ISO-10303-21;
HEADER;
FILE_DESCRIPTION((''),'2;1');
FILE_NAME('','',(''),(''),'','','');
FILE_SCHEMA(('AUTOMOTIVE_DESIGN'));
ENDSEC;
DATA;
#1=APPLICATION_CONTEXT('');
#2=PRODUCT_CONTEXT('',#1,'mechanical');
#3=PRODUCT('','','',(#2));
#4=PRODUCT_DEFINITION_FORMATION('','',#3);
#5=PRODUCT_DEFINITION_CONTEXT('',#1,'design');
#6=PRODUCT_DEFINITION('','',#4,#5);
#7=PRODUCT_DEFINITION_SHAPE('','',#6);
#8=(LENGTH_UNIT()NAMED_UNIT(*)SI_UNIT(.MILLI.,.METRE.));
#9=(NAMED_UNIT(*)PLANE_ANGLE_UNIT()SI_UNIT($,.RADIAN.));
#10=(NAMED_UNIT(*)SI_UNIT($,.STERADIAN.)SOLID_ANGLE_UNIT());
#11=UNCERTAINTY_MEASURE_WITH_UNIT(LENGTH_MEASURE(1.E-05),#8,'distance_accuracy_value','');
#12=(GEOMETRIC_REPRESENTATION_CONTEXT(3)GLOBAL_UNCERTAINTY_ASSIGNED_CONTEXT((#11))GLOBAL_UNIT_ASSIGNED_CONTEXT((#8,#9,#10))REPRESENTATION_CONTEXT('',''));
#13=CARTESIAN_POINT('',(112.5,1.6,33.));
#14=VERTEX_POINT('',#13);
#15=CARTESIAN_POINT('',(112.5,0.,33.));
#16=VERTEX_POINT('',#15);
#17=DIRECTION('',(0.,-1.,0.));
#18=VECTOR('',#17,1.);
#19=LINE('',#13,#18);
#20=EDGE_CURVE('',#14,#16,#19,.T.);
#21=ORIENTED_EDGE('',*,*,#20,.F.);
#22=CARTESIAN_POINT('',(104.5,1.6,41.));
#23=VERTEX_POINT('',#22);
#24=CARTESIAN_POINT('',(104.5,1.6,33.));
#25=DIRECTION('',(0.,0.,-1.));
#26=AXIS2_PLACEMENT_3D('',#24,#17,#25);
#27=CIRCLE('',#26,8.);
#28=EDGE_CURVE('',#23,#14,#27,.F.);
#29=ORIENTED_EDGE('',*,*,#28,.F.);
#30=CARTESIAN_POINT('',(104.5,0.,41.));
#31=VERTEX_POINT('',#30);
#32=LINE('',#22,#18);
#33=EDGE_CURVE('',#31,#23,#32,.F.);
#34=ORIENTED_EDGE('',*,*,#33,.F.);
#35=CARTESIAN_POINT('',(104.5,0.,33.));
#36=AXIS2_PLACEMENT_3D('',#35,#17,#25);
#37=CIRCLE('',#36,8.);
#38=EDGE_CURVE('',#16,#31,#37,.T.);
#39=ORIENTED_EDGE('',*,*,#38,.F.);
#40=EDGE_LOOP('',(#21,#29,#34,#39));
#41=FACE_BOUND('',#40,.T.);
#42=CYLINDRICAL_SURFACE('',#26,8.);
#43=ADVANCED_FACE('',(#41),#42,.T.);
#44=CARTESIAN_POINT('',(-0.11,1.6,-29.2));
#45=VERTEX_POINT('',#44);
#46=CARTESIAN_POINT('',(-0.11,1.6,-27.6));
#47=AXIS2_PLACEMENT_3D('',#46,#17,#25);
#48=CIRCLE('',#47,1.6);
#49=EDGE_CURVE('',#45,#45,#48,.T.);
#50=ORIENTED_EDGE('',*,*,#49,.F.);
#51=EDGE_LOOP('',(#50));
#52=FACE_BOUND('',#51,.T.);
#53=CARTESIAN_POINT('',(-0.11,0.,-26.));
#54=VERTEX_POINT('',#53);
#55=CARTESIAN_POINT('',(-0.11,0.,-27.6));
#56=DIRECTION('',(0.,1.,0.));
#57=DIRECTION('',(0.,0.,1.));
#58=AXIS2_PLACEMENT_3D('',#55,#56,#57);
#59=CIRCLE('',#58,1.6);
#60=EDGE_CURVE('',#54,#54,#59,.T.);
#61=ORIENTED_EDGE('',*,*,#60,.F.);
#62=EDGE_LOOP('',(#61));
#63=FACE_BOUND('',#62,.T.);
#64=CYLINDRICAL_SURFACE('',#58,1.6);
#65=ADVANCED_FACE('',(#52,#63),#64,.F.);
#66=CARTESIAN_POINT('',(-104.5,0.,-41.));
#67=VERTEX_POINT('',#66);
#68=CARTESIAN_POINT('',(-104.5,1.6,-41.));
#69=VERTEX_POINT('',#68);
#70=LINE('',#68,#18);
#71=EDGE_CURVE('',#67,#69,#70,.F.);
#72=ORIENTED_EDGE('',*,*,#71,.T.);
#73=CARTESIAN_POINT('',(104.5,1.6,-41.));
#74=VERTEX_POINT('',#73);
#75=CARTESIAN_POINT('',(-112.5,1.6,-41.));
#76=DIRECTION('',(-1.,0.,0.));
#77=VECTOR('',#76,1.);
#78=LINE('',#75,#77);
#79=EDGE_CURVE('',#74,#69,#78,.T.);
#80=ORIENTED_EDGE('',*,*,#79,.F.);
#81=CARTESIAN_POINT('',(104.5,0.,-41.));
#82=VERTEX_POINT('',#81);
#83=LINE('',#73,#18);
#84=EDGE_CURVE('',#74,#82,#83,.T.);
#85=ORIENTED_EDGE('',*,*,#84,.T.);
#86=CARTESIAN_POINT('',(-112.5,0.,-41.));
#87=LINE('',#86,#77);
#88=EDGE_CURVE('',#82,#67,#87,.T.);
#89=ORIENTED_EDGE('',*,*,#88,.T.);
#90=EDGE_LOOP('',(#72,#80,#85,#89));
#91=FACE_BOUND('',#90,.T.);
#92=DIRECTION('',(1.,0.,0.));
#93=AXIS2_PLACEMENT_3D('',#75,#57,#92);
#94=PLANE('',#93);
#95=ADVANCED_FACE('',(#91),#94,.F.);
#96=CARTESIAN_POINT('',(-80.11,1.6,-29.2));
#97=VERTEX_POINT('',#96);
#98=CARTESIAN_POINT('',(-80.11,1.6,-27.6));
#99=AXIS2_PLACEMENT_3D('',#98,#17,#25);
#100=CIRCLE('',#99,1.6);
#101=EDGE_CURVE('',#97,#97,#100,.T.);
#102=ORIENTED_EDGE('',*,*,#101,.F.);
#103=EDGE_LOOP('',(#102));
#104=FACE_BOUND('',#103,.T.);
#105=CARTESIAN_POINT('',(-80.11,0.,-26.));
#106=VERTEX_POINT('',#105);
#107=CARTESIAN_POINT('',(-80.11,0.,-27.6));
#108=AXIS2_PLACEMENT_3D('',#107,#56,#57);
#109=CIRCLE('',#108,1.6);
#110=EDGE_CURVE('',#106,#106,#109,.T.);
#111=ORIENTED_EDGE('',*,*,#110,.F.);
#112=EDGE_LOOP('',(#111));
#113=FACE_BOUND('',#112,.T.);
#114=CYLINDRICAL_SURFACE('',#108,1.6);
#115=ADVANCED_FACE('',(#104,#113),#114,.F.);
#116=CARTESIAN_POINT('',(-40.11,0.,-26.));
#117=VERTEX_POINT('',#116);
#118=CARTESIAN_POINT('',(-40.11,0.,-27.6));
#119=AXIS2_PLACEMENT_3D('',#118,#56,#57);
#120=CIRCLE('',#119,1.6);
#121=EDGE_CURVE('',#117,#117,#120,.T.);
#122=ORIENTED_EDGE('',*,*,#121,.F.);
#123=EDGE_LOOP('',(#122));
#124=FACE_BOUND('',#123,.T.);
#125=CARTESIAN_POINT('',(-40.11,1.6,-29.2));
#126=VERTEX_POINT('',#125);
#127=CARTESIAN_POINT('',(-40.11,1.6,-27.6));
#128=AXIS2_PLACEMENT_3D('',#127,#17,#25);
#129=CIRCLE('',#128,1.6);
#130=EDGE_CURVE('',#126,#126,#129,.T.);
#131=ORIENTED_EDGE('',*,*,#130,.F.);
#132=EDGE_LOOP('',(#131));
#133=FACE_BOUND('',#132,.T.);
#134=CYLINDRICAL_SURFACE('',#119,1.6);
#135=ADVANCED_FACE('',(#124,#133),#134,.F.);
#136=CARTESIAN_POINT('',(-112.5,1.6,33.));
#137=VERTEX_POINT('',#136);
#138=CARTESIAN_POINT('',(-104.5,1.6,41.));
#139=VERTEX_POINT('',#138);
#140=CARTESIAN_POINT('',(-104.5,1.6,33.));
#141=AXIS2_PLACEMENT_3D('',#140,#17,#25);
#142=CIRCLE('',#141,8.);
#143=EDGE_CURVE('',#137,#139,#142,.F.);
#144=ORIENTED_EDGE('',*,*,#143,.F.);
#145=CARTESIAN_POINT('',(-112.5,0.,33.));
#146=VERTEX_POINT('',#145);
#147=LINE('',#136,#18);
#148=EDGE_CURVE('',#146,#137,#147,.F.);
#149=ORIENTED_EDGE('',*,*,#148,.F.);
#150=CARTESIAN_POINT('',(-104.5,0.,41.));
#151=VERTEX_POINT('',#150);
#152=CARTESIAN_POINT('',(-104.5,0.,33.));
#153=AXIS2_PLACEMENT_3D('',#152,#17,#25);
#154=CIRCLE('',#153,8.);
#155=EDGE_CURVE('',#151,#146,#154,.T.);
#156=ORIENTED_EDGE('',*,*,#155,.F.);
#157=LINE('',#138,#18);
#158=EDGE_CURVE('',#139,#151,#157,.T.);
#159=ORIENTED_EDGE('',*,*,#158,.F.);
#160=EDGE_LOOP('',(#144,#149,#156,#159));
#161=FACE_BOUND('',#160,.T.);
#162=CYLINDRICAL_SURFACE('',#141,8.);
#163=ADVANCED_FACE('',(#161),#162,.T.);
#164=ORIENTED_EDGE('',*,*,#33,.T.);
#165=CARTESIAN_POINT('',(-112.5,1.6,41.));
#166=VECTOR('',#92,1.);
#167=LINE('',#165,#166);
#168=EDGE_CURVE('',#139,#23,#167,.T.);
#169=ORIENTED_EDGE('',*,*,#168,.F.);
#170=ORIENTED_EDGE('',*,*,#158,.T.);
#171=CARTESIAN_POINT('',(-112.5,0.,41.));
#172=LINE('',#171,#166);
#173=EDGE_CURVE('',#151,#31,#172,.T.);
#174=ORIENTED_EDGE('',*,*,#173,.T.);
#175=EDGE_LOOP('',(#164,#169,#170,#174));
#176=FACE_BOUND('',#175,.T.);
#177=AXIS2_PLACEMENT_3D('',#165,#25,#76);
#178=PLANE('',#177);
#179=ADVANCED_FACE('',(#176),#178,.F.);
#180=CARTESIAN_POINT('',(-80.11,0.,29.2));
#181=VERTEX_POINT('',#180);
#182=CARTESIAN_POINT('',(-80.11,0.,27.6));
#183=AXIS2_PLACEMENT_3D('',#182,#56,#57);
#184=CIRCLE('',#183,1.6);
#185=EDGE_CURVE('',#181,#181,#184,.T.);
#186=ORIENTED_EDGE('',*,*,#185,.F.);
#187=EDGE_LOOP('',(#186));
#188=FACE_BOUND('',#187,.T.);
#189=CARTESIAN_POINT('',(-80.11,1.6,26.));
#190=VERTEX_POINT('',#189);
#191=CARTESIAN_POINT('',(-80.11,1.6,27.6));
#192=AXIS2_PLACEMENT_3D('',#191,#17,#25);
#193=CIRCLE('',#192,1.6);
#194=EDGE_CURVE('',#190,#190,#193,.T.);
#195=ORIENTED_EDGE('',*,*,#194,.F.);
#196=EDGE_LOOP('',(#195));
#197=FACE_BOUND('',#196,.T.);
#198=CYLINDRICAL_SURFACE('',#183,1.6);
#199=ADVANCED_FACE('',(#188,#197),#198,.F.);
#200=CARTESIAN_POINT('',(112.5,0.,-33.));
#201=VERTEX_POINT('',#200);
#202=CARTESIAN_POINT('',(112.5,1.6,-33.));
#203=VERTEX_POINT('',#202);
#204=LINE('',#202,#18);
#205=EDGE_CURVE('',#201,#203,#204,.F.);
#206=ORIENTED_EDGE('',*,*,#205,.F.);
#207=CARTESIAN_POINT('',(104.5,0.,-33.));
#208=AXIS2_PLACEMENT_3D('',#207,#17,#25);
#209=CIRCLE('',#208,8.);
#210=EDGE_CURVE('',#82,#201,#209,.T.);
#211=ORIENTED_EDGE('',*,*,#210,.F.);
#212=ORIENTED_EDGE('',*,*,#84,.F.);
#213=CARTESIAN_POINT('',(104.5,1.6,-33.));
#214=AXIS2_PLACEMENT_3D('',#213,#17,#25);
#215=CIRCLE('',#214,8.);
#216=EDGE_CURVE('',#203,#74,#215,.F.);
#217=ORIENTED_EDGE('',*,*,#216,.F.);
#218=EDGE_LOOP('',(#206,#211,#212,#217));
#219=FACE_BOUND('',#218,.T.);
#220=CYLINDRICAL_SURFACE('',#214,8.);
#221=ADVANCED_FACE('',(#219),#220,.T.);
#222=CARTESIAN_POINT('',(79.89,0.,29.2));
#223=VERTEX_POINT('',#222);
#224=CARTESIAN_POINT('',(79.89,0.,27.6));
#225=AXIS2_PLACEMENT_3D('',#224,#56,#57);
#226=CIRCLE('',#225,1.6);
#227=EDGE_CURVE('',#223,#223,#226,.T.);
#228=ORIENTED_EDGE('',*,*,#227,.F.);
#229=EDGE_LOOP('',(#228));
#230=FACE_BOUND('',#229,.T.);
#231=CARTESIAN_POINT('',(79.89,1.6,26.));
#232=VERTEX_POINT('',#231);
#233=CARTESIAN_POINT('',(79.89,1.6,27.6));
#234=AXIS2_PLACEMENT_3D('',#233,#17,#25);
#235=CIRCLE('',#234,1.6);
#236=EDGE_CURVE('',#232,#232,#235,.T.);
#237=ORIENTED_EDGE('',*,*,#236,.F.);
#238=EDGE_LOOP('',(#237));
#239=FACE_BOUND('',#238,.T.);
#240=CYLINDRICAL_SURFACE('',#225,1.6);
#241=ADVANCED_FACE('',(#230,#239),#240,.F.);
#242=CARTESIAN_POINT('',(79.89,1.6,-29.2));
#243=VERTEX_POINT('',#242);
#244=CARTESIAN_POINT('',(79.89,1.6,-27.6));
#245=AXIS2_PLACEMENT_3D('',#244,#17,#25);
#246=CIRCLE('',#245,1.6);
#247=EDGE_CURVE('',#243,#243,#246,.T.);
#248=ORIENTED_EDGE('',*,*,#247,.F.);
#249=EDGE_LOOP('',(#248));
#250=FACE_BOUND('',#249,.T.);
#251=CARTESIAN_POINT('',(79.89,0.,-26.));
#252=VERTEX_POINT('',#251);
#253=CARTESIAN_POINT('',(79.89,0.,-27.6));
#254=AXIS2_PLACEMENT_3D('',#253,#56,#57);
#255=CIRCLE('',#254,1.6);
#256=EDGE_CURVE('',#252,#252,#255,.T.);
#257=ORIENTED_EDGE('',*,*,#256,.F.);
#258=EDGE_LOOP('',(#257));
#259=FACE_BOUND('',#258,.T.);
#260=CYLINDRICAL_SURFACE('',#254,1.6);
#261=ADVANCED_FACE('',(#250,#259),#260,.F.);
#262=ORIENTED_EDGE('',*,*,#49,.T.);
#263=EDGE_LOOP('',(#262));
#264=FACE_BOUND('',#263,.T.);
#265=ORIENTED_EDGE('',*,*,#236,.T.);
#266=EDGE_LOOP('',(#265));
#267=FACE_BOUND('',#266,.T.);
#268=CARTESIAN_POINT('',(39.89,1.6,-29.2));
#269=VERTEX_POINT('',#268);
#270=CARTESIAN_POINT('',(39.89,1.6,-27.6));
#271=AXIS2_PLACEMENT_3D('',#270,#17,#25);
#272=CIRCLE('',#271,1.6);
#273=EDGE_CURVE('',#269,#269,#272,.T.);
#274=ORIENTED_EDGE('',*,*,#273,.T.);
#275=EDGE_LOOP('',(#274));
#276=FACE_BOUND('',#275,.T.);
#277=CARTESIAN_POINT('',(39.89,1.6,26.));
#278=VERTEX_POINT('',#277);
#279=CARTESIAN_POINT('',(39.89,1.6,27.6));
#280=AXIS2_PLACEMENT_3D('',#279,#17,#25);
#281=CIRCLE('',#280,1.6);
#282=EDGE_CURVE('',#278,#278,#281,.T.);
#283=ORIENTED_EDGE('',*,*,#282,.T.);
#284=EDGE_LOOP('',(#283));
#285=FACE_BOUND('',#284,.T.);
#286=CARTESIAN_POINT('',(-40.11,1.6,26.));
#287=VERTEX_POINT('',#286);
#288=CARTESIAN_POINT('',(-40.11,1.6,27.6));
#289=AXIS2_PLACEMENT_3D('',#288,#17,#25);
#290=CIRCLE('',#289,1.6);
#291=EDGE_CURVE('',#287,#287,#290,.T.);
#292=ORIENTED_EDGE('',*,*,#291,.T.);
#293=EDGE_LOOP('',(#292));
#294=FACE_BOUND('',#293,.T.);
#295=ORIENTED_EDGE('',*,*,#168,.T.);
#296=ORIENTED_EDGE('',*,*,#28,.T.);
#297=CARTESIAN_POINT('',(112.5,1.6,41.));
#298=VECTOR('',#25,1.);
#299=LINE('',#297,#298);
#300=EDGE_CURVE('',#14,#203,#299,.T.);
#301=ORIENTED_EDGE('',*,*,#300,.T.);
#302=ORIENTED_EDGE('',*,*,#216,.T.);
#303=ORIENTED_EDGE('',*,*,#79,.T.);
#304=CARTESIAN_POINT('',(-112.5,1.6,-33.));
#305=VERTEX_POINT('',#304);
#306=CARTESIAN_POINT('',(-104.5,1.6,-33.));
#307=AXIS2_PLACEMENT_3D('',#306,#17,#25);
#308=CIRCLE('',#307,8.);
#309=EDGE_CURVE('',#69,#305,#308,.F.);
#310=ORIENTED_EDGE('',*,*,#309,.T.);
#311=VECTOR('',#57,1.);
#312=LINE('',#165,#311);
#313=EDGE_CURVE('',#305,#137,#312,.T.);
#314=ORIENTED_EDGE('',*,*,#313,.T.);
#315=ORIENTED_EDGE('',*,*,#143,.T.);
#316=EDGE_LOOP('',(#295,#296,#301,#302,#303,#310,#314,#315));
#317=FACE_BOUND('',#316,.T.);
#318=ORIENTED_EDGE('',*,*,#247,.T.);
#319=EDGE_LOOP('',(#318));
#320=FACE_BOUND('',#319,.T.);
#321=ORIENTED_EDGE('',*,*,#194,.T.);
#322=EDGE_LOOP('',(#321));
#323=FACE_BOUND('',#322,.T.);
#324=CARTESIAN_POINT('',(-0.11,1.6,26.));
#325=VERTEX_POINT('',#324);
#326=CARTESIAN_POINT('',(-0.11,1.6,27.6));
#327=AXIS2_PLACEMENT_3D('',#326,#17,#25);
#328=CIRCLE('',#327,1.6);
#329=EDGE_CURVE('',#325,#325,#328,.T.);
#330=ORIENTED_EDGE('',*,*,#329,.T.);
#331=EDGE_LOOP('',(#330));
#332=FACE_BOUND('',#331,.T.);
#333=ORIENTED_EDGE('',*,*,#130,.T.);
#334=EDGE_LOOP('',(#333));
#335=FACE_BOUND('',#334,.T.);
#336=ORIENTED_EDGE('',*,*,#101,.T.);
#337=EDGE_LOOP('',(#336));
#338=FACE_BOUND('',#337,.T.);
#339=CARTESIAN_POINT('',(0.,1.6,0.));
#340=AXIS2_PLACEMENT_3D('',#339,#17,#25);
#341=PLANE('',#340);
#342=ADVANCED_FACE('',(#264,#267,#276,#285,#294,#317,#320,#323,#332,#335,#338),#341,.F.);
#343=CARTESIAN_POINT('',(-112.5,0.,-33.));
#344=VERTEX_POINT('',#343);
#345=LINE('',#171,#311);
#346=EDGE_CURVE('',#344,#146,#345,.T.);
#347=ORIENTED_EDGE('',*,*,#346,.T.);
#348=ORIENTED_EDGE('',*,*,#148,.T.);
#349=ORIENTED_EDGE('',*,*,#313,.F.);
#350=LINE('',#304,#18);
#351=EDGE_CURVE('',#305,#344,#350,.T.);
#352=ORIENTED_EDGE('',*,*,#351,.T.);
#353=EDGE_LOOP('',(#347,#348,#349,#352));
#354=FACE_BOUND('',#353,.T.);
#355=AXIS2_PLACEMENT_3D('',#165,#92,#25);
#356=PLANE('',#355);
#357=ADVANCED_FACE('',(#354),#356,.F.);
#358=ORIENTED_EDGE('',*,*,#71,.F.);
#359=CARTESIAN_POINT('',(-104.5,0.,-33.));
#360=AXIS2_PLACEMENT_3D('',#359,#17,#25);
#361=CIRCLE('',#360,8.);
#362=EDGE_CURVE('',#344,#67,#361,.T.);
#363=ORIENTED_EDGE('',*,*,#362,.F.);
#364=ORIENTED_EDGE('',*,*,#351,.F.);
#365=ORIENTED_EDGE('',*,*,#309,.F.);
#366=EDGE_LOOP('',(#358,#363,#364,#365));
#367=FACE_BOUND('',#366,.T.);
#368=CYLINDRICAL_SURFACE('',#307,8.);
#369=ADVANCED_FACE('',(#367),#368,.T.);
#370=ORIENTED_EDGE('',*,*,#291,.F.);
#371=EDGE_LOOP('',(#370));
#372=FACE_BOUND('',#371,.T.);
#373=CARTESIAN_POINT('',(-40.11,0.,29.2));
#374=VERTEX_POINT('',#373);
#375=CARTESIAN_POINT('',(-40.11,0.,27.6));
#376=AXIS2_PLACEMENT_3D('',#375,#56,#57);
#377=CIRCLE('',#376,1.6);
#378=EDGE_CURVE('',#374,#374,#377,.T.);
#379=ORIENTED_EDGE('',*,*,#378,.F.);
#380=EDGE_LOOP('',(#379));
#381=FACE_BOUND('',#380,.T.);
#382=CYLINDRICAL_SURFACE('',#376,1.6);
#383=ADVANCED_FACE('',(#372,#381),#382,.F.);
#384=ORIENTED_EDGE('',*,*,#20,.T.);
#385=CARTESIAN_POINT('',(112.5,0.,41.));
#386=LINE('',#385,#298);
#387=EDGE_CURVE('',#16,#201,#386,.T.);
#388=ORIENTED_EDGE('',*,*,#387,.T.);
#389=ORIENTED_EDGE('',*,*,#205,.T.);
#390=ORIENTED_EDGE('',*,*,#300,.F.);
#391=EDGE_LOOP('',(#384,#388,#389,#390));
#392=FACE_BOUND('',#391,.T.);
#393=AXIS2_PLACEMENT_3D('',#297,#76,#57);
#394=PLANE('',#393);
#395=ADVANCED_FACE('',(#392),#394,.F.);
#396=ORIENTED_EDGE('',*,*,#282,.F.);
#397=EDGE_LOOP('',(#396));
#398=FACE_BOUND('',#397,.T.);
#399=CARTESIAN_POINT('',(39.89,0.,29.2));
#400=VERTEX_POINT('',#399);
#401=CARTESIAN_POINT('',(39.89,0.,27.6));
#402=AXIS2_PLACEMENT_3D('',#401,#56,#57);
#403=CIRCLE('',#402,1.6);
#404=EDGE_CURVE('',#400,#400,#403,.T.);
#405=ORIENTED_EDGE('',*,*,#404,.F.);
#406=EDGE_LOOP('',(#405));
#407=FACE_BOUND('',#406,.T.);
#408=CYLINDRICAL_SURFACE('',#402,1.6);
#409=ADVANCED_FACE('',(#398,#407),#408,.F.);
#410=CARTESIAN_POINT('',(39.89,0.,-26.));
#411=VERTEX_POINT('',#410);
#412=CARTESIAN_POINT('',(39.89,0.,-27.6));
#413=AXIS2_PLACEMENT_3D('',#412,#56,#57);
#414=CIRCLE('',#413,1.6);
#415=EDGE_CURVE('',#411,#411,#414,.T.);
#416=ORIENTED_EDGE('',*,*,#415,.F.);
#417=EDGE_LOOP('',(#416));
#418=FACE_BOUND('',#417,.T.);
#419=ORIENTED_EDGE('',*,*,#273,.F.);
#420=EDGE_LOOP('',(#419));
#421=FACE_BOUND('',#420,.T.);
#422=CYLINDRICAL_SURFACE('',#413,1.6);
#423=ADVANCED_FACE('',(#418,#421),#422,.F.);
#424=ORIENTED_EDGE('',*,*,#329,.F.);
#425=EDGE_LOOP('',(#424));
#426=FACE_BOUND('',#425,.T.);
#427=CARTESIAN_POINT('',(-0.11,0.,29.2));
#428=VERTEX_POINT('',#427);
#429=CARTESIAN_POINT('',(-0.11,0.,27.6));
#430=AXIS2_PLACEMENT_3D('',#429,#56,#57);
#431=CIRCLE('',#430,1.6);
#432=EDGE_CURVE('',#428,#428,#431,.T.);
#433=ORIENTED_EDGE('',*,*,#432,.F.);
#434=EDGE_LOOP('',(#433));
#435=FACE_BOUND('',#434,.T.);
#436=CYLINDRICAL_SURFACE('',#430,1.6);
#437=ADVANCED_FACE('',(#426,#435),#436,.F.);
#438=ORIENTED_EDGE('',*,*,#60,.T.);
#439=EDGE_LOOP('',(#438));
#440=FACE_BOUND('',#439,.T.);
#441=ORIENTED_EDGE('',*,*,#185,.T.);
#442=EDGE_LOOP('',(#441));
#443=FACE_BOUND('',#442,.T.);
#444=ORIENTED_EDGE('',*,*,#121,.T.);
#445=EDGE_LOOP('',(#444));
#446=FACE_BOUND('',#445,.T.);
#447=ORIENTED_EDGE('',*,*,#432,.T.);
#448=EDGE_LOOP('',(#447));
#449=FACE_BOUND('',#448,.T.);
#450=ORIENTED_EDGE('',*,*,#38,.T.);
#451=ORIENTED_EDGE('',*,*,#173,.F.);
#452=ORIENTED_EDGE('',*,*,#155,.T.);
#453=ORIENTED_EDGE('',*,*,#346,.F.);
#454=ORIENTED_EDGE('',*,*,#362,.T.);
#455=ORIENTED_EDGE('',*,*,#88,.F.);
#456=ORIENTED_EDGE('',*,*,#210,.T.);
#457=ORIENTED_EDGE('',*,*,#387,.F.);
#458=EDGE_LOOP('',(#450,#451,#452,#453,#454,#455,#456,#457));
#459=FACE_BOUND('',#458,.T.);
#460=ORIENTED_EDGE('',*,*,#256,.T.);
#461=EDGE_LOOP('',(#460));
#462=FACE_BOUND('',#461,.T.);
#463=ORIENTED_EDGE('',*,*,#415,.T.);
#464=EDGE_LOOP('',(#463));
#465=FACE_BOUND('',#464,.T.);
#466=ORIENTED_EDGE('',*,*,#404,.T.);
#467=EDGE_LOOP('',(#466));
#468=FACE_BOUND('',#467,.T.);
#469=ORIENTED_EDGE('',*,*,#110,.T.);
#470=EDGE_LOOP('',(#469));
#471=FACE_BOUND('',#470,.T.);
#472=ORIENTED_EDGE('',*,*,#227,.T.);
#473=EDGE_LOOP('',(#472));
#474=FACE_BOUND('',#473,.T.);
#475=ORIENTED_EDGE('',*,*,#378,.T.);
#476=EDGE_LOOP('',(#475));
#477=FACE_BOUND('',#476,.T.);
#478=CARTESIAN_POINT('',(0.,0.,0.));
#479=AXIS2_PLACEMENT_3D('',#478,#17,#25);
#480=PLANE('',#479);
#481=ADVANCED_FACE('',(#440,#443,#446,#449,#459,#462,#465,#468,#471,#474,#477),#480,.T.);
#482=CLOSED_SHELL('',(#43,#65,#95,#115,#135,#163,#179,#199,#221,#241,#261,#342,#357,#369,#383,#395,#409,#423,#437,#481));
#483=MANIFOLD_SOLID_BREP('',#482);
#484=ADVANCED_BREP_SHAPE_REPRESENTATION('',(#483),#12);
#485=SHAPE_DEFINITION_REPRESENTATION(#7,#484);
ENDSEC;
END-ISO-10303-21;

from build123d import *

# Parameters (mm, degrees)
SKETCH1_W               = 225
SKETCH1_H               = 82
BOSS_EXTRUDE1_DEPTH     = 1.6
FILLET1_R               = 8
SKETCH2_R               = 1.6
CUT_EXTRUDE1_DEPTH      = 1
CUT_EXTRUDE1_DEPTH_BACK = 2.6


with BuildPart() as part:
    # Sketch1 → Boss-Extrude1 (new body)
    with BuildSketch(Plane(origin=(0, 0, 0), x_dir=(1, 0, 0), z_dir=(0, 1, 0))):
        Rectangle(SKETCH1_W, SKETCH1_H)
    extrude(amount=BOSS_EXTRUDE1_DEPTH)

    # Fillet1
    fillet1_edges = [part.edges().sort_by_distance(p)[0] for p in [
        (112.5, 0.8, 41),
        (-112.5, 0.8, 41),
        (-112.5, 0.8, -41),
        (112.5, 0.8, -41),
    ]]
    fillet(fillet1_edges, radius=FILLET1_R)

    # Sketch2 → Cut-Extrude1 (cut, two sides)
    with BuildSketch(Plane(origin=(0, 1.6, 0), x_dir=(1, 0, 0), z_dir=(0, 1, 0))) as cut_extrude1_sk:
        with Locations((-80.11, 27.6)):
            Circle(SKETCH2_R)
        with Locations((-80.11, -27.6)):
            Circle(SKETCH2_R)
        with Locations((-40.11, 27.6)):
            Circle(SKETCH2_R)
        with Locations((-0.11, 27.6)):
            Circle(SKETCH2_R)
        with Locations((39.89, 27.6)):
            Circle(SKETCH2_R)
        with Locations((-40.11, -27.6)):
            Circle(SKETCH2_R)
        with Locations((-0.11, -27.6)):
            Circle(SKETCH2_R)
        with Locations((39.89, -27.6)):
            Circle(SKETCH2_R)
        with Locations((79.89, -27.6)):
            Circle(SKETCH2_R)
        with Locations((79.89, 27.6)):
            Circle(SKETCH2_R)
    extrude(amount=CUT_EXTRUDE1_DEPTH, mode=Mode.SUBTRACT)
    extrude(cut_extrude1_sk.sketch, amount=-CUT_EXTRUDE1_DEPTH_BACK, mode=Mode.SUBTRACT)


solid = part.part
